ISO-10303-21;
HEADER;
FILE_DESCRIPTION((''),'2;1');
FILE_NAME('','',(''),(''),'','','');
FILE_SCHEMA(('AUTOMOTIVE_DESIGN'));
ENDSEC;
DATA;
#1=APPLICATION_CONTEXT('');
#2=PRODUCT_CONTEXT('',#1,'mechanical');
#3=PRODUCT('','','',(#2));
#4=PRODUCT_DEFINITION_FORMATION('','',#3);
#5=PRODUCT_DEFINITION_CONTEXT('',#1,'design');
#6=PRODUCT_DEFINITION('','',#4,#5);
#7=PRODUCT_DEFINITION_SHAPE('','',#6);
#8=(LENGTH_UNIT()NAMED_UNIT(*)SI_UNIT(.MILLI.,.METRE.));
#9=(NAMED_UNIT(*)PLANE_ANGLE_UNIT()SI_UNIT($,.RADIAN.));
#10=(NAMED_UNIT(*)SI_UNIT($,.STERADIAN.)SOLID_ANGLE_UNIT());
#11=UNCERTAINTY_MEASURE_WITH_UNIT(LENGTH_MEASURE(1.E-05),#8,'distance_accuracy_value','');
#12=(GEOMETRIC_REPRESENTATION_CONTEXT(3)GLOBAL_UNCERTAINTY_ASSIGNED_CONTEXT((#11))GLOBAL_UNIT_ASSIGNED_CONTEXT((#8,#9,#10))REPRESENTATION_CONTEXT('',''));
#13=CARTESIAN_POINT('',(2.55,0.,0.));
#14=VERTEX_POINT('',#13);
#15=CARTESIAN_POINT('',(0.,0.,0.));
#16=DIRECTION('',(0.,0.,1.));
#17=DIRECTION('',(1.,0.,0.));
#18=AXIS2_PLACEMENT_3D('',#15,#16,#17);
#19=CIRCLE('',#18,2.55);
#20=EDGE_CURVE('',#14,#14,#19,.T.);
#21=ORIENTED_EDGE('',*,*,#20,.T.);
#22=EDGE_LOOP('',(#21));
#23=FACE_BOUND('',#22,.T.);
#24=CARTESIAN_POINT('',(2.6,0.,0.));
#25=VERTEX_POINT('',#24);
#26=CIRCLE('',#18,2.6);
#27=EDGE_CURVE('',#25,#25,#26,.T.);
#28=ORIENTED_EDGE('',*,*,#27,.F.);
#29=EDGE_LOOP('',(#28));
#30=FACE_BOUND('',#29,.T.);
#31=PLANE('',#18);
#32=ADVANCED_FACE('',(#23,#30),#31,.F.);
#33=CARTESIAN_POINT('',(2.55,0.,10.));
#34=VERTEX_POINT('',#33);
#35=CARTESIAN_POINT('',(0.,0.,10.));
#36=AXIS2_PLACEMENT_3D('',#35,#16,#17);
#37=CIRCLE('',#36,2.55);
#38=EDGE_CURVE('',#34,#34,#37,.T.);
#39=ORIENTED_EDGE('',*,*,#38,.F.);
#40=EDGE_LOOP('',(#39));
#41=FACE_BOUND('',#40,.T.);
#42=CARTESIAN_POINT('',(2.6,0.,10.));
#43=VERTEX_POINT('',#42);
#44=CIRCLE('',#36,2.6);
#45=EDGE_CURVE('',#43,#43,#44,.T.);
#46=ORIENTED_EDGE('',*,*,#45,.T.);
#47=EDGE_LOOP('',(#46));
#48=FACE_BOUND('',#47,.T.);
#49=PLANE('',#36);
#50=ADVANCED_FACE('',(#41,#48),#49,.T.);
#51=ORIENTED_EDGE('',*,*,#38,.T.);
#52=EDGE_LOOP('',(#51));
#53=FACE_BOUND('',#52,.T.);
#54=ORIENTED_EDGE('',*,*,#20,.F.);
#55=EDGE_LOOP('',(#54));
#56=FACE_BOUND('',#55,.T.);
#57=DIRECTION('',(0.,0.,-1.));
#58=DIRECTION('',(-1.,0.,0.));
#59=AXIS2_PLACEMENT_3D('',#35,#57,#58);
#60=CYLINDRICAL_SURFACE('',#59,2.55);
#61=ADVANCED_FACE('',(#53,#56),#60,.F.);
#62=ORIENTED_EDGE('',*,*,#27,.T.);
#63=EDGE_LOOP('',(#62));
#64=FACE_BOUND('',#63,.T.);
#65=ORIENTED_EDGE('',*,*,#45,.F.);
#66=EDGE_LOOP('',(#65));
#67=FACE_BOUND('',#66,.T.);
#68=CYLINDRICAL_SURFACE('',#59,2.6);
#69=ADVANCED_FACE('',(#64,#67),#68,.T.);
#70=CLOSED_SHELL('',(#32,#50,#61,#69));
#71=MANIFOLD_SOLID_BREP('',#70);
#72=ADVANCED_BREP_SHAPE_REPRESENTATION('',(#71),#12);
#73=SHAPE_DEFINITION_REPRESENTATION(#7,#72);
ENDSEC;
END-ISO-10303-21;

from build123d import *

# Parameters (mm, degrees)
SKETCH_1_R      = 2.6
SKETCH_1_R_2    = 2.55
EXTRUDE_1_DEPTH = 10


with BuildPart() as part:
    # 스케치1 → 보스-돌출1 (new body)
    with BuildSketch(Plane.XY):
        Circle(SKETCH_1_R)
        Circle(SKETCH_1_R_2, mode=Mode.SUBTRACT)
    extrude(amount=EXTRUDE_1_DEPTH)


solid = part.part
